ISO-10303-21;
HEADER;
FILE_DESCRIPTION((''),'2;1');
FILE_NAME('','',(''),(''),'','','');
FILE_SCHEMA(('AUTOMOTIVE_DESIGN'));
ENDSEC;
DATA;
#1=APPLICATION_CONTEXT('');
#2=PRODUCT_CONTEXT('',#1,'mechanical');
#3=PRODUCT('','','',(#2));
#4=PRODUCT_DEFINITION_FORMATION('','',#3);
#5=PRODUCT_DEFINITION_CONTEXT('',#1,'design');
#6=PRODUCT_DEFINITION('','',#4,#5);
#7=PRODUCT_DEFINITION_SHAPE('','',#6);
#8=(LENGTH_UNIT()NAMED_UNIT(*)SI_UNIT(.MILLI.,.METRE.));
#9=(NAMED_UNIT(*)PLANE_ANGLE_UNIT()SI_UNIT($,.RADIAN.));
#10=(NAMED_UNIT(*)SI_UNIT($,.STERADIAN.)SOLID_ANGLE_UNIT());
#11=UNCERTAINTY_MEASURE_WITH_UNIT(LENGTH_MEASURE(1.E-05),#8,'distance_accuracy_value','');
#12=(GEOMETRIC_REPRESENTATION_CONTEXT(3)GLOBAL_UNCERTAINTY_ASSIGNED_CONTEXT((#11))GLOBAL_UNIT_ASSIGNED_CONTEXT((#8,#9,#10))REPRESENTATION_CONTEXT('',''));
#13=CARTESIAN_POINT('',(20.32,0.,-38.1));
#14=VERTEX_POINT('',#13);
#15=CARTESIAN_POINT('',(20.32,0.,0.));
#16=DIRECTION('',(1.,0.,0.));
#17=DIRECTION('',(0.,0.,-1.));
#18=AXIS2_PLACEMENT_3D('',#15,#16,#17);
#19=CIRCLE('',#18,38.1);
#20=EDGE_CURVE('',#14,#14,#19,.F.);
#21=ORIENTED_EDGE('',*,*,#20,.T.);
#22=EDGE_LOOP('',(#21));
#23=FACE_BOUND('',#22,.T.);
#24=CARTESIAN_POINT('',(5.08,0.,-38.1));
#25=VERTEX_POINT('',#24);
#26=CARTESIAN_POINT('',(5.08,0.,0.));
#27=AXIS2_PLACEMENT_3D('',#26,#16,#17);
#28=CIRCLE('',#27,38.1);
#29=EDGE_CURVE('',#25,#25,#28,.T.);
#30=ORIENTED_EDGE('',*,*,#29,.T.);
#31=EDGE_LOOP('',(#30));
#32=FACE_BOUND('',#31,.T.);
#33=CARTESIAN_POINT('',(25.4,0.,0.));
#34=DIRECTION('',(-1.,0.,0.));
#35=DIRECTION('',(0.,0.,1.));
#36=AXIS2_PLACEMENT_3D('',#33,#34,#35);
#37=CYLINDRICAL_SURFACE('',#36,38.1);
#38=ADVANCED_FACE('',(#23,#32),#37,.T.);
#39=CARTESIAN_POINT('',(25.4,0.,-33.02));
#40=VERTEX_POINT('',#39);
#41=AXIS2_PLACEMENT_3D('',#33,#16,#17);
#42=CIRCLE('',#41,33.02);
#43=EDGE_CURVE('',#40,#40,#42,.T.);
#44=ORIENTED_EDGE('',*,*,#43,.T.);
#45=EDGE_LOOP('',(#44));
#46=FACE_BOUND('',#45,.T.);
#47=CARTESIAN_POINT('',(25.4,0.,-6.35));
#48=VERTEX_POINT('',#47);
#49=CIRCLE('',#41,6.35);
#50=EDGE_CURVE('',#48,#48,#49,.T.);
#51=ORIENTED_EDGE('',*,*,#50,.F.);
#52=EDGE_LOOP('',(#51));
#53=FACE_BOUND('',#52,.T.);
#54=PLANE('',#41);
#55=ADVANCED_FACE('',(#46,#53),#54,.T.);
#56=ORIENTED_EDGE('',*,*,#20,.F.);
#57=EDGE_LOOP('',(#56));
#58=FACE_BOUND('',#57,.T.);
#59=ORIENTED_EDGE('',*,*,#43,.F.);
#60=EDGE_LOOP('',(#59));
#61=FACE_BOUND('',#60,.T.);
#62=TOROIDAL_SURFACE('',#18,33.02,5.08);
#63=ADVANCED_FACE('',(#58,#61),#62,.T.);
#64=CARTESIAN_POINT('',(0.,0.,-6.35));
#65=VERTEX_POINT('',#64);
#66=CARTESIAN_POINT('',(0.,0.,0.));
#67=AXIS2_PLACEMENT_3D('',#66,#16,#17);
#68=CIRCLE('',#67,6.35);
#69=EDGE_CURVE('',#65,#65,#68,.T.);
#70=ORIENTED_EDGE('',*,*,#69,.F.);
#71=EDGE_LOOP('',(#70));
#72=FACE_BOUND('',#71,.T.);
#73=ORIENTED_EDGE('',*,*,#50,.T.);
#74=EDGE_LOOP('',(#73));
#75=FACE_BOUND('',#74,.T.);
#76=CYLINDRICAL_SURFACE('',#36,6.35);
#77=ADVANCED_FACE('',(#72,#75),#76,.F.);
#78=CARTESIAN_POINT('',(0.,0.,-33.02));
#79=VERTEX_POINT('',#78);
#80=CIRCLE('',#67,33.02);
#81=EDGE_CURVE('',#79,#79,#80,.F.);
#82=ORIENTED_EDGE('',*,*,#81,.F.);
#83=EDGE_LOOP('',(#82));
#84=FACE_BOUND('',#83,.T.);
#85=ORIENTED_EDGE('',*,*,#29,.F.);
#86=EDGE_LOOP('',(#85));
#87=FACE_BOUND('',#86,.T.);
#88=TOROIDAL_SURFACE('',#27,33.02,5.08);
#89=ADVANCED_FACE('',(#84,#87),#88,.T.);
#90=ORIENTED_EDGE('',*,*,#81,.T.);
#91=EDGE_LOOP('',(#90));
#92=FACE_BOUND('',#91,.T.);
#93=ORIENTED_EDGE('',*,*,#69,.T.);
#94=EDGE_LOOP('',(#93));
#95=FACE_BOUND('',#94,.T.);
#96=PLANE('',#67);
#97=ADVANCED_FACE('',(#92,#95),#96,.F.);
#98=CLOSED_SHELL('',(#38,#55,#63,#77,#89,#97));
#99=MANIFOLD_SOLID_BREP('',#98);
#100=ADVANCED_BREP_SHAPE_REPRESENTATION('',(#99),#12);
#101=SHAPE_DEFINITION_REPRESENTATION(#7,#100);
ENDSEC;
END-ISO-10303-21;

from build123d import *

# Parameters (mm, degrees)
SKETCH1_R           = 38.1
SKETCH1_R_2         = 6.35
BOSS_EXTRUDE1_DEPTH = 25.4
FILLET1_R           = 5.08


with BuildPart() as part:
    # Sketch1 → Boss-Extrude1 (new body)
    with BuildSketch(Plane(origin=(0, 0, 0), x_dir=(0, 0, -1), z_dir=(1, 0, 0))):
        Circle(SKETCH1_R)
        Circle(SKETCH1_R_2, mode=Mode.SUBTRACT)
    extrude(amount=BOSS_EXTRUDE1_DEPTH)

    # Fillet1
    fillet1_edges = [part.edges().sort_by_distance(p)[0] for p in [
        (0, 0, 38.1),
        (25.4, 0, 38.1),
    ]]
    fillet(fillet1_edges, radius=FILLET1_R)


solid = part.part
